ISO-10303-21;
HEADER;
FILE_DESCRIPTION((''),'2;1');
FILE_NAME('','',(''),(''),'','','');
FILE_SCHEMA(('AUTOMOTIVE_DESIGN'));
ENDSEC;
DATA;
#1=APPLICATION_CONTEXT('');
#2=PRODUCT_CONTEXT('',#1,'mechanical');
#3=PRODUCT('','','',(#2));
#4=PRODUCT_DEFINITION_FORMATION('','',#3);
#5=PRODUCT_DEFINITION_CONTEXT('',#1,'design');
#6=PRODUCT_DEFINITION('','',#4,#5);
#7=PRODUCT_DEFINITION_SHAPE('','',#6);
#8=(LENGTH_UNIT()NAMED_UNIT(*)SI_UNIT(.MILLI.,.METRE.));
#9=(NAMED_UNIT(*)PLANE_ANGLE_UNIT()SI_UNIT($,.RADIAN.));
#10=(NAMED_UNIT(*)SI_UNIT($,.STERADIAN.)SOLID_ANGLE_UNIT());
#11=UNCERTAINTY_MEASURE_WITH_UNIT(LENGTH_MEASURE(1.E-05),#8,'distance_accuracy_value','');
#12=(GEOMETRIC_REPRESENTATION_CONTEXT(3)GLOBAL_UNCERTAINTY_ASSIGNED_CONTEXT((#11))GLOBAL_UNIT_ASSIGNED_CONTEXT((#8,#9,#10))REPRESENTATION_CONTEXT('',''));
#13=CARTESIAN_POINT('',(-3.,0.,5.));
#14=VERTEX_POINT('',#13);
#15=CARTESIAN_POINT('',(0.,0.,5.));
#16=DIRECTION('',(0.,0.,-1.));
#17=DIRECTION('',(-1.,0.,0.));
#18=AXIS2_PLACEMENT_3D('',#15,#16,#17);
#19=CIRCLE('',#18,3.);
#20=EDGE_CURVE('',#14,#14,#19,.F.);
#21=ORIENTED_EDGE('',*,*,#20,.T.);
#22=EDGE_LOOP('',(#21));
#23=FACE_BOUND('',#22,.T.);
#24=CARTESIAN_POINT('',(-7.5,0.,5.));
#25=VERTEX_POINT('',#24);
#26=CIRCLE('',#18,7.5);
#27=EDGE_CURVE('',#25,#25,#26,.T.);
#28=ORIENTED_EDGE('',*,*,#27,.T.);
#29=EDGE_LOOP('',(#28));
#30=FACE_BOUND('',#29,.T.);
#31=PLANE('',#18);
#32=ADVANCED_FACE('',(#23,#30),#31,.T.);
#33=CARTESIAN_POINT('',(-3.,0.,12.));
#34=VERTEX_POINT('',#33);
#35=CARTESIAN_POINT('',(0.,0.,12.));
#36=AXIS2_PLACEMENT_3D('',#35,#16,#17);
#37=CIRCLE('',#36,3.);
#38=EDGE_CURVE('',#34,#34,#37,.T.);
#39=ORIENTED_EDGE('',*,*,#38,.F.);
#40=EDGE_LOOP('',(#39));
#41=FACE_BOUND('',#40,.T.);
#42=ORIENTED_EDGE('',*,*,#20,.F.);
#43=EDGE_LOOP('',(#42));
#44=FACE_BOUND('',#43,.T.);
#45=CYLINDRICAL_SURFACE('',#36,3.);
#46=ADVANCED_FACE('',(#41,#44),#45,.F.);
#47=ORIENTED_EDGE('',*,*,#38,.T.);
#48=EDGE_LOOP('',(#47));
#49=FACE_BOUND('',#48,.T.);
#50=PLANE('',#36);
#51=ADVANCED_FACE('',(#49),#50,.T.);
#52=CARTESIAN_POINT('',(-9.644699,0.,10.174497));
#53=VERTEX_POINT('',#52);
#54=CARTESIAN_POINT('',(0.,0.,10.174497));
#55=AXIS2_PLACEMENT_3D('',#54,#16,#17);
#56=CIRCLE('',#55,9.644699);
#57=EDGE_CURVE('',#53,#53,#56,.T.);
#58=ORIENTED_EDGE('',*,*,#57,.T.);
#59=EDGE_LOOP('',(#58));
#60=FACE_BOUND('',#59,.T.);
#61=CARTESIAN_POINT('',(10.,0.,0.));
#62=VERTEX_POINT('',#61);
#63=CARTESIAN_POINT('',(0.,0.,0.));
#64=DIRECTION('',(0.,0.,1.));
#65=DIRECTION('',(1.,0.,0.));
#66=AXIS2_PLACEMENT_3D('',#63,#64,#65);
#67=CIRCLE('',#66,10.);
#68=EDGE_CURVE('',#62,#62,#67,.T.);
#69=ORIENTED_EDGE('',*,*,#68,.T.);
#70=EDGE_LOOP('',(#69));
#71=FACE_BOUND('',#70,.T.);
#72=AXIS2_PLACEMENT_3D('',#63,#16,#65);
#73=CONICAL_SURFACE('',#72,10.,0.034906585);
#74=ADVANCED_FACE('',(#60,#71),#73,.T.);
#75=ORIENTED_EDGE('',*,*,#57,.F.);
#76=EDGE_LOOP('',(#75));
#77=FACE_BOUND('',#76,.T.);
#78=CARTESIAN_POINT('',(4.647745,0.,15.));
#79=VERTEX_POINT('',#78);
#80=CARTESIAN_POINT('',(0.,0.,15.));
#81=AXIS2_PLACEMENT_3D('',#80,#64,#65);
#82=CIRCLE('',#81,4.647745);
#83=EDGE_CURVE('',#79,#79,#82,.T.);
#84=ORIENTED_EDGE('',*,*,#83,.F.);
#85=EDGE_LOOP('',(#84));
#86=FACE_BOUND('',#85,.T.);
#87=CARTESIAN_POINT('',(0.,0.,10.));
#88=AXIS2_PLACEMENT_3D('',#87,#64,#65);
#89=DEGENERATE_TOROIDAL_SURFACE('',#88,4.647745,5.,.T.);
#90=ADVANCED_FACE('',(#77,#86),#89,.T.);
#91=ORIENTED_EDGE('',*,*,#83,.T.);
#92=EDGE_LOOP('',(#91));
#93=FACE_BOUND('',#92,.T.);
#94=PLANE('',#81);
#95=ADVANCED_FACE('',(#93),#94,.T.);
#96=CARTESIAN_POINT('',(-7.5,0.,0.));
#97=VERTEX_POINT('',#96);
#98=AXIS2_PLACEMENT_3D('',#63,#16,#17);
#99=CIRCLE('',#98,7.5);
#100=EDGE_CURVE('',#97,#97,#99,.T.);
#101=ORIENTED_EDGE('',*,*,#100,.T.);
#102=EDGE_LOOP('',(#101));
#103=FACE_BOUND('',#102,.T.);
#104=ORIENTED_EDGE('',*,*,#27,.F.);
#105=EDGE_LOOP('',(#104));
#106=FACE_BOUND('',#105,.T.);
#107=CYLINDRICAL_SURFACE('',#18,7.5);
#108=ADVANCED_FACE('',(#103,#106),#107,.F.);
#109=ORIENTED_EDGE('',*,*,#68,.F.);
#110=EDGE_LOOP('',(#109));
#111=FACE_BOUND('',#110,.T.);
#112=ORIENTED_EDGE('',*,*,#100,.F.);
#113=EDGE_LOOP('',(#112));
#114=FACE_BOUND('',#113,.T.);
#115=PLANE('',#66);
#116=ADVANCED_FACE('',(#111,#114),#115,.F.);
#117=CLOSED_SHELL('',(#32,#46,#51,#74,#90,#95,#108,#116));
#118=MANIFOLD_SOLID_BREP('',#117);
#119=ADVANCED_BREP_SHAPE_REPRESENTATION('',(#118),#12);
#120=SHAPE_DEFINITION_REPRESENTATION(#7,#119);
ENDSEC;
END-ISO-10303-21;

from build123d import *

# Parameters (mm, degrees)
ESQUISSE1_R             = 10
BOSS_EXTRU_1_DEPTH      = 15
BOSS_EXTRU_1_TAPER      = 2
CONG_1_R                = 5
ESQUISSE2_R             = 3
ENL_V_MAT_EXTRU_1_DEPTH = 12
ESQUISSE3_R             = 7.5
ENL_V_MAT_EXTRU_2_DEPTH = 5


with BuildPart() as part:
    # Esquisse1 → Boss.-Extru.1 (new body)
    with BuildSketch(Plane.XY):
        Circle(ESQUISSE1_R)
    extrude(amount=BOSS_EXTRU_1_DEPTH, taper=BOSS_EXTRU_1_TAPER)

    # Congé1
    cong_1_edges = [part.edges().sort_by_distance(p)[0] for p in [
        (-9.476188458, 0, 15),
    ]]
    fillet(cong_1_edges, radius=CONG_1_R)

    # Esquisse2 → Enlèv. mat.-Extru.1 (cut)
    with BuildSketch(Plane(origin=(0, 0, 0), x_dir=(-1, 0, 0), z_dir=(0, 0, -1))):
        Circle(ESQUISSE2_R)
    extrude(amount=-ENL_V_MAT_EXTRU_1_DEPTH, mode=Mode.SUBTRACT)

    # Esquisse3 → Enlèv. mat.-Extru.2 (cut)
    with BuildSketch(Plane(origin=(0, 0, 0), x_dir=(-1, 0, 0), z_dir=(0, 0, -1))):
        Circle(ESQUISSE3_R)
    extrude(amount=-ENL_V_MAT_EXTRU_2_DEPTH, mode=Mode.SUBTRACT)


solid = part.part
